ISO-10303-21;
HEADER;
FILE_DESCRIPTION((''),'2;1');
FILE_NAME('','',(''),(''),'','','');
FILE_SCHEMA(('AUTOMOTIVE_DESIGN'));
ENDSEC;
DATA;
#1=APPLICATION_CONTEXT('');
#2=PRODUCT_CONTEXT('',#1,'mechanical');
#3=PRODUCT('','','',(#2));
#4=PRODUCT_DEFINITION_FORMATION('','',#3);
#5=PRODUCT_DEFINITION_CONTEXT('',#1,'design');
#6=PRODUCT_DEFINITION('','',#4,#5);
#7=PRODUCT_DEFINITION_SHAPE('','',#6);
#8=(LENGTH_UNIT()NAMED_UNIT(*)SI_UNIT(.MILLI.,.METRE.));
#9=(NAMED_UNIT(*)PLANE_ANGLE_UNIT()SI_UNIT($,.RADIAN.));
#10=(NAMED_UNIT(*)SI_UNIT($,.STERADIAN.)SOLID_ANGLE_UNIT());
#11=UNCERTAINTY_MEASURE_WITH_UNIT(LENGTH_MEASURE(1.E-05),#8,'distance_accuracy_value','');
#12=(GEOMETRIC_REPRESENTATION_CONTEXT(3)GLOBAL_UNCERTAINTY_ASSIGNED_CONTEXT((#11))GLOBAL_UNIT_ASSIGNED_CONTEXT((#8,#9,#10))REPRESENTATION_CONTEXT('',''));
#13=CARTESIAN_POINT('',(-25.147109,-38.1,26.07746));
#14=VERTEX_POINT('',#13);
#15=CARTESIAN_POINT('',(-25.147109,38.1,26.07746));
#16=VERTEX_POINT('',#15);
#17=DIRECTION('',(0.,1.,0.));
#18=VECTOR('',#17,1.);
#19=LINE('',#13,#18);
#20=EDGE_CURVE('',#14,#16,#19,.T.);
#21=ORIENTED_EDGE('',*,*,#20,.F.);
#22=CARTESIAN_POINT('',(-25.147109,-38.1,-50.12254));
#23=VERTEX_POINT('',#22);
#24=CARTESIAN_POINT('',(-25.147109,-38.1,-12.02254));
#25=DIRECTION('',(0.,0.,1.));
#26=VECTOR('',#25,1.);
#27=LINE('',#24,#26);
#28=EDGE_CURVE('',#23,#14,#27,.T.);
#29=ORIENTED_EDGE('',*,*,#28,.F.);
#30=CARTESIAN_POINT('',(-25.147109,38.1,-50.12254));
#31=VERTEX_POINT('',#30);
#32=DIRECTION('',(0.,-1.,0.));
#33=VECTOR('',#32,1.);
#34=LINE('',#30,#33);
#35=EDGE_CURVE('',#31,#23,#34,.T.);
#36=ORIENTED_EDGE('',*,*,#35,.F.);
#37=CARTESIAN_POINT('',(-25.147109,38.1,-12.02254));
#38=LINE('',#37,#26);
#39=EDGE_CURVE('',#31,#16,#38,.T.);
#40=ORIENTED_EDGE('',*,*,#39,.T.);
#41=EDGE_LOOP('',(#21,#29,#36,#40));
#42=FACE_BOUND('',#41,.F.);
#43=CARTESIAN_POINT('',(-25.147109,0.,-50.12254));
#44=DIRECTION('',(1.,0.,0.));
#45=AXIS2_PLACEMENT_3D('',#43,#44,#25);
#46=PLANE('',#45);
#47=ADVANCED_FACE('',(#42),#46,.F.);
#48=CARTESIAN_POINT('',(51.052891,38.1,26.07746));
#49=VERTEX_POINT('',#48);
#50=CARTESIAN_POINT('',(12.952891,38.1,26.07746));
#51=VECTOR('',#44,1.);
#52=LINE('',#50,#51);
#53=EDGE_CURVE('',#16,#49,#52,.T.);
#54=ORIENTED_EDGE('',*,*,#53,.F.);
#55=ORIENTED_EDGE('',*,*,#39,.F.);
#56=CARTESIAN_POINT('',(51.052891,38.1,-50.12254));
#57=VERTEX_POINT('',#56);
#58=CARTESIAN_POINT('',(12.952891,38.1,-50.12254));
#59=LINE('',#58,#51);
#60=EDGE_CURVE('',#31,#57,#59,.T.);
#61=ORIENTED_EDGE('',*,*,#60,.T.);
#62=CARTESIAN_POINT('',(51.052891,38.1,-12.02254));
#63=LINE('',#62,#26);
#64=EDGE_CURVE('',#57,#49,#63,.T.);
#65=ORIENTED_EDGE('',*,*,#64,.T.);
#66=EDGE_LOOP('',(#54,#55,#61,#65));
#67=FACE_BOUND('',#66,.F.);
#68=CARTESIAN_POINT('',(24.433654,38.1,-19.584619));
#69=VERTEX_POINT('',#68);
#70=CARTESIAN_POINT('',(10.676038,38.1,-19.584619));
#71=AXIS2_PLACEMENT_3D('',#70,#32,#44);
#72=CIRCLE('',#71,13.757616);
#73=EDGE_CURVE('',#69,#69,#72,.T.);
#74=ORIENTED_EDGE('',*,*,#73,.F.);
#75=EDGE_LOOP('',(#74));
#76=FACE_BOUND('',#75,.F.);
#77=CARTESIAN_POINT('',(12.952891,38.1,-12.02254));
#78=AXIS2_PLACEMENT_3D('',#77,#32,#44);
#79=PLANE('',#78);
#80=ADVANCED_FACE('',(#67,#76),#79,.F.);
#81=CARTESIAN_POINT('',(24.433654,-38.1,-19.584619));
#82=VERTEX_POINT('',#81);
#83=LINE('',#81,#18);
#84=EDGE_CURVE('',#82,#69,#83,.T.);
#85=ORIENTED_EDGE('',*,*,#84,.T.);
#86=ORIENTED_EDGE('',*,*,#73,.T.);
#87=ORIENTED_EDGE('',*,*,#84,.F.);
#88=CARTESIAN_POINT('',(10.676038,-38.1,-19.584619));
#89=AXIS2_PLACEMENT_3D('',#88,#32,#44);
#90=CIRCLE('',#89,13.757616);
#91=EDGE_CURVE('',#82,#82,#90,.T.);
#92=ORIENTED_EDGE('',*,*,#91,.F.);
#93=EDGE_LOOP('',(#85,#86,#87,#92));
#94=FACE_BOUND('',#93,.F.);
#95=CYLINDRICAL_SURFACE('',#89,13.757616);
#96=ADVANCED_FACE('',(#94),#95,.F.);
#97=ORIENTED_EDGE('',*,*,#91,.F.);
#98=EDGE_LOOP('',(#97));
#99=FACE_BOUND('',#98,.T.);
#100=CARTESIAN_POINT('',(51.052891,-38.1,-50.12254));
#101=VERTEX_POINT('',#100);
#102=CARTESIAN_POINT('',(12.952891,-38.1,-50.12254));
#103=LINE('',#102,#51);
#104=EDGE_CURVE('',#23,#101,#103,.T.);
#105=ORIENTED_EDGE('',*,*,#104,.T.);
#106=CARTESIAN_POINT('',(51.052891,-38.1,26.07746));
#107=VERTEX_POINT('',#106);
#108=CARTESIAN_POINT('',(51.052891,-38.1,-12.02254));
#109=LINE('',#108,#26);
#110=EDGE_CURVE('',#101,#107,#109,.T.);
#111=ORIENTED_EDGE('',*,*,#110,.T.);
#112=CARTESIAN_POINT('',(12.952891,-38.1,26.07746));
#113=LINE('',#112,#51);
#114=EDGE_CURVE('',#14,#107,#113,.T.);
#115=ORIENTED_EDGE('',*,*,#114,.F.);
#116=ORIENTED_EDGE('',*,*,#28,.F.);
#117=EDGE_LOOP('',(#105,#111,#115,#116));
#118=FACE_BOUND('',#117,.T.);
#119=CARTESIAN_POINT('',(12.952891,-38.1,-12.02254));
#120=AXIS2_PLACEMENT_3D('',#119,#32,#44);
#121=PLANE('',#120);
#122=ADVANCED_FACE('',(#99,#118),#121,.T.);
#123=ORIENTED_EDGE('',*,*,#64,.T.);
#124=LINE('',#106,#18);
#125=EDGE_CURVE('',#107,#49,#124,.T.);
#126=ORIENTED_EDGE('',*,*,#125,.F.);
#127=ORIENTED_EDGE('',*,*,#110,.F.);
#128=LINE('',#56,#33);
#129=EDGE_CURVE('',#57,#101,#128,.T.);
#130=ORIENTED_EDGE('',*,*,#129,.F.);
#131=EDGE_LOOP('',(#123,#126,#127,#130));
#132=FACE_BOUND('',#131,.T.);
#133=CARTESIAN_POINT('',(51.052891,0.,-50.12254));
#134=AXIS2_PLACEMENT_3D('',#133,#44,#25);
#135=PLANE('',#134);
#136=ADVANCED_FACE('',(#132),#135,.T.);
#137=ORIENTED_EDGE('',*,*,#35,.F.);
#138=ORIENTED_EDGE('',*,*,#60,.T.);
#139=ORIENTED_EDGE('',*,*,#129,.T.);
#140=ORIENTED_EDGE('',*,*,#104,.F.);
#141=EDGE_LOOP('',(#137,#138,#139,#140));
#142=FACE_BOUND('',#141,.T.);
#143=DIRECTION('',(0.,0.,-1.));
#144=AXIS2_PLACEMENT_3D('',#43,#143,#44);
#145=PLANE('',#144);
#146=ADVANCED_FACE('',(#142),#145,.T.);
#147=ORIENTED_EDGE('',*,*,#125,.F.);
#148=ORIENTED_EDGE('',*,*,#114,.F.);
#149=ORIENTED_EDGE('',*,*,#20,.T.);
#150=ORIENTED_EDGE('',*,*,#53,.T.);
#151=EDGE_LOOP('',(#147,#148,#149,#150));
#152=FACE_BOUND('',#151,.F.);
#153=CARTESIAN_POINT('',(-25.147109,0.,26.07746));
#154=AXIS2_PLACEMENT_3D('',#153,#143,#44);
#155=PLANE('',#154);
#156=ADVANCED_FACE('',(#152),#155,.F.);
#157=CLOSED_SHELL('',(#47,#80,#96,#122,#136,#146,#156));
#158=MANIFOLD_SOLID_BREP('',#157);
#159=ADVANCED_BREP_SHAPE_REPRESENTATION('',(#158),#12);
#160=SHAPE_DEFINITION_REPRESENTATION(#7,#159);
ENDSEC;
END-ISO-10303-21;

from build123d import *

# Parameters (mm, degrees)
F0_W     = 76.2
F0_H     = 76.2
F1_DEPTH = 38.1
F2_R     = 13.757616
F3_DEPTH = 76.201


with BuildPart() as f1:
    # F0 (on Front) → F1 (new body, symmetric)
    with BuildSketch(Plane.XZ):
        with Locations((12.952891, -12.02254)):
            Rectangle(F0_W, F0_H)
    extrude(amount=F1_DEPTH, both=True)

    # F2 (on face) → F3 (cut, through all)
    with BuildSketch(Plane.XZ.offset(38.1)):
        with Locations((10.676038, -19.584619)):
            Circle(F2_R)
    extrude(amount=-F3_DEPTH, mode=Mode.SUBTRACT)


solid = f1.part
